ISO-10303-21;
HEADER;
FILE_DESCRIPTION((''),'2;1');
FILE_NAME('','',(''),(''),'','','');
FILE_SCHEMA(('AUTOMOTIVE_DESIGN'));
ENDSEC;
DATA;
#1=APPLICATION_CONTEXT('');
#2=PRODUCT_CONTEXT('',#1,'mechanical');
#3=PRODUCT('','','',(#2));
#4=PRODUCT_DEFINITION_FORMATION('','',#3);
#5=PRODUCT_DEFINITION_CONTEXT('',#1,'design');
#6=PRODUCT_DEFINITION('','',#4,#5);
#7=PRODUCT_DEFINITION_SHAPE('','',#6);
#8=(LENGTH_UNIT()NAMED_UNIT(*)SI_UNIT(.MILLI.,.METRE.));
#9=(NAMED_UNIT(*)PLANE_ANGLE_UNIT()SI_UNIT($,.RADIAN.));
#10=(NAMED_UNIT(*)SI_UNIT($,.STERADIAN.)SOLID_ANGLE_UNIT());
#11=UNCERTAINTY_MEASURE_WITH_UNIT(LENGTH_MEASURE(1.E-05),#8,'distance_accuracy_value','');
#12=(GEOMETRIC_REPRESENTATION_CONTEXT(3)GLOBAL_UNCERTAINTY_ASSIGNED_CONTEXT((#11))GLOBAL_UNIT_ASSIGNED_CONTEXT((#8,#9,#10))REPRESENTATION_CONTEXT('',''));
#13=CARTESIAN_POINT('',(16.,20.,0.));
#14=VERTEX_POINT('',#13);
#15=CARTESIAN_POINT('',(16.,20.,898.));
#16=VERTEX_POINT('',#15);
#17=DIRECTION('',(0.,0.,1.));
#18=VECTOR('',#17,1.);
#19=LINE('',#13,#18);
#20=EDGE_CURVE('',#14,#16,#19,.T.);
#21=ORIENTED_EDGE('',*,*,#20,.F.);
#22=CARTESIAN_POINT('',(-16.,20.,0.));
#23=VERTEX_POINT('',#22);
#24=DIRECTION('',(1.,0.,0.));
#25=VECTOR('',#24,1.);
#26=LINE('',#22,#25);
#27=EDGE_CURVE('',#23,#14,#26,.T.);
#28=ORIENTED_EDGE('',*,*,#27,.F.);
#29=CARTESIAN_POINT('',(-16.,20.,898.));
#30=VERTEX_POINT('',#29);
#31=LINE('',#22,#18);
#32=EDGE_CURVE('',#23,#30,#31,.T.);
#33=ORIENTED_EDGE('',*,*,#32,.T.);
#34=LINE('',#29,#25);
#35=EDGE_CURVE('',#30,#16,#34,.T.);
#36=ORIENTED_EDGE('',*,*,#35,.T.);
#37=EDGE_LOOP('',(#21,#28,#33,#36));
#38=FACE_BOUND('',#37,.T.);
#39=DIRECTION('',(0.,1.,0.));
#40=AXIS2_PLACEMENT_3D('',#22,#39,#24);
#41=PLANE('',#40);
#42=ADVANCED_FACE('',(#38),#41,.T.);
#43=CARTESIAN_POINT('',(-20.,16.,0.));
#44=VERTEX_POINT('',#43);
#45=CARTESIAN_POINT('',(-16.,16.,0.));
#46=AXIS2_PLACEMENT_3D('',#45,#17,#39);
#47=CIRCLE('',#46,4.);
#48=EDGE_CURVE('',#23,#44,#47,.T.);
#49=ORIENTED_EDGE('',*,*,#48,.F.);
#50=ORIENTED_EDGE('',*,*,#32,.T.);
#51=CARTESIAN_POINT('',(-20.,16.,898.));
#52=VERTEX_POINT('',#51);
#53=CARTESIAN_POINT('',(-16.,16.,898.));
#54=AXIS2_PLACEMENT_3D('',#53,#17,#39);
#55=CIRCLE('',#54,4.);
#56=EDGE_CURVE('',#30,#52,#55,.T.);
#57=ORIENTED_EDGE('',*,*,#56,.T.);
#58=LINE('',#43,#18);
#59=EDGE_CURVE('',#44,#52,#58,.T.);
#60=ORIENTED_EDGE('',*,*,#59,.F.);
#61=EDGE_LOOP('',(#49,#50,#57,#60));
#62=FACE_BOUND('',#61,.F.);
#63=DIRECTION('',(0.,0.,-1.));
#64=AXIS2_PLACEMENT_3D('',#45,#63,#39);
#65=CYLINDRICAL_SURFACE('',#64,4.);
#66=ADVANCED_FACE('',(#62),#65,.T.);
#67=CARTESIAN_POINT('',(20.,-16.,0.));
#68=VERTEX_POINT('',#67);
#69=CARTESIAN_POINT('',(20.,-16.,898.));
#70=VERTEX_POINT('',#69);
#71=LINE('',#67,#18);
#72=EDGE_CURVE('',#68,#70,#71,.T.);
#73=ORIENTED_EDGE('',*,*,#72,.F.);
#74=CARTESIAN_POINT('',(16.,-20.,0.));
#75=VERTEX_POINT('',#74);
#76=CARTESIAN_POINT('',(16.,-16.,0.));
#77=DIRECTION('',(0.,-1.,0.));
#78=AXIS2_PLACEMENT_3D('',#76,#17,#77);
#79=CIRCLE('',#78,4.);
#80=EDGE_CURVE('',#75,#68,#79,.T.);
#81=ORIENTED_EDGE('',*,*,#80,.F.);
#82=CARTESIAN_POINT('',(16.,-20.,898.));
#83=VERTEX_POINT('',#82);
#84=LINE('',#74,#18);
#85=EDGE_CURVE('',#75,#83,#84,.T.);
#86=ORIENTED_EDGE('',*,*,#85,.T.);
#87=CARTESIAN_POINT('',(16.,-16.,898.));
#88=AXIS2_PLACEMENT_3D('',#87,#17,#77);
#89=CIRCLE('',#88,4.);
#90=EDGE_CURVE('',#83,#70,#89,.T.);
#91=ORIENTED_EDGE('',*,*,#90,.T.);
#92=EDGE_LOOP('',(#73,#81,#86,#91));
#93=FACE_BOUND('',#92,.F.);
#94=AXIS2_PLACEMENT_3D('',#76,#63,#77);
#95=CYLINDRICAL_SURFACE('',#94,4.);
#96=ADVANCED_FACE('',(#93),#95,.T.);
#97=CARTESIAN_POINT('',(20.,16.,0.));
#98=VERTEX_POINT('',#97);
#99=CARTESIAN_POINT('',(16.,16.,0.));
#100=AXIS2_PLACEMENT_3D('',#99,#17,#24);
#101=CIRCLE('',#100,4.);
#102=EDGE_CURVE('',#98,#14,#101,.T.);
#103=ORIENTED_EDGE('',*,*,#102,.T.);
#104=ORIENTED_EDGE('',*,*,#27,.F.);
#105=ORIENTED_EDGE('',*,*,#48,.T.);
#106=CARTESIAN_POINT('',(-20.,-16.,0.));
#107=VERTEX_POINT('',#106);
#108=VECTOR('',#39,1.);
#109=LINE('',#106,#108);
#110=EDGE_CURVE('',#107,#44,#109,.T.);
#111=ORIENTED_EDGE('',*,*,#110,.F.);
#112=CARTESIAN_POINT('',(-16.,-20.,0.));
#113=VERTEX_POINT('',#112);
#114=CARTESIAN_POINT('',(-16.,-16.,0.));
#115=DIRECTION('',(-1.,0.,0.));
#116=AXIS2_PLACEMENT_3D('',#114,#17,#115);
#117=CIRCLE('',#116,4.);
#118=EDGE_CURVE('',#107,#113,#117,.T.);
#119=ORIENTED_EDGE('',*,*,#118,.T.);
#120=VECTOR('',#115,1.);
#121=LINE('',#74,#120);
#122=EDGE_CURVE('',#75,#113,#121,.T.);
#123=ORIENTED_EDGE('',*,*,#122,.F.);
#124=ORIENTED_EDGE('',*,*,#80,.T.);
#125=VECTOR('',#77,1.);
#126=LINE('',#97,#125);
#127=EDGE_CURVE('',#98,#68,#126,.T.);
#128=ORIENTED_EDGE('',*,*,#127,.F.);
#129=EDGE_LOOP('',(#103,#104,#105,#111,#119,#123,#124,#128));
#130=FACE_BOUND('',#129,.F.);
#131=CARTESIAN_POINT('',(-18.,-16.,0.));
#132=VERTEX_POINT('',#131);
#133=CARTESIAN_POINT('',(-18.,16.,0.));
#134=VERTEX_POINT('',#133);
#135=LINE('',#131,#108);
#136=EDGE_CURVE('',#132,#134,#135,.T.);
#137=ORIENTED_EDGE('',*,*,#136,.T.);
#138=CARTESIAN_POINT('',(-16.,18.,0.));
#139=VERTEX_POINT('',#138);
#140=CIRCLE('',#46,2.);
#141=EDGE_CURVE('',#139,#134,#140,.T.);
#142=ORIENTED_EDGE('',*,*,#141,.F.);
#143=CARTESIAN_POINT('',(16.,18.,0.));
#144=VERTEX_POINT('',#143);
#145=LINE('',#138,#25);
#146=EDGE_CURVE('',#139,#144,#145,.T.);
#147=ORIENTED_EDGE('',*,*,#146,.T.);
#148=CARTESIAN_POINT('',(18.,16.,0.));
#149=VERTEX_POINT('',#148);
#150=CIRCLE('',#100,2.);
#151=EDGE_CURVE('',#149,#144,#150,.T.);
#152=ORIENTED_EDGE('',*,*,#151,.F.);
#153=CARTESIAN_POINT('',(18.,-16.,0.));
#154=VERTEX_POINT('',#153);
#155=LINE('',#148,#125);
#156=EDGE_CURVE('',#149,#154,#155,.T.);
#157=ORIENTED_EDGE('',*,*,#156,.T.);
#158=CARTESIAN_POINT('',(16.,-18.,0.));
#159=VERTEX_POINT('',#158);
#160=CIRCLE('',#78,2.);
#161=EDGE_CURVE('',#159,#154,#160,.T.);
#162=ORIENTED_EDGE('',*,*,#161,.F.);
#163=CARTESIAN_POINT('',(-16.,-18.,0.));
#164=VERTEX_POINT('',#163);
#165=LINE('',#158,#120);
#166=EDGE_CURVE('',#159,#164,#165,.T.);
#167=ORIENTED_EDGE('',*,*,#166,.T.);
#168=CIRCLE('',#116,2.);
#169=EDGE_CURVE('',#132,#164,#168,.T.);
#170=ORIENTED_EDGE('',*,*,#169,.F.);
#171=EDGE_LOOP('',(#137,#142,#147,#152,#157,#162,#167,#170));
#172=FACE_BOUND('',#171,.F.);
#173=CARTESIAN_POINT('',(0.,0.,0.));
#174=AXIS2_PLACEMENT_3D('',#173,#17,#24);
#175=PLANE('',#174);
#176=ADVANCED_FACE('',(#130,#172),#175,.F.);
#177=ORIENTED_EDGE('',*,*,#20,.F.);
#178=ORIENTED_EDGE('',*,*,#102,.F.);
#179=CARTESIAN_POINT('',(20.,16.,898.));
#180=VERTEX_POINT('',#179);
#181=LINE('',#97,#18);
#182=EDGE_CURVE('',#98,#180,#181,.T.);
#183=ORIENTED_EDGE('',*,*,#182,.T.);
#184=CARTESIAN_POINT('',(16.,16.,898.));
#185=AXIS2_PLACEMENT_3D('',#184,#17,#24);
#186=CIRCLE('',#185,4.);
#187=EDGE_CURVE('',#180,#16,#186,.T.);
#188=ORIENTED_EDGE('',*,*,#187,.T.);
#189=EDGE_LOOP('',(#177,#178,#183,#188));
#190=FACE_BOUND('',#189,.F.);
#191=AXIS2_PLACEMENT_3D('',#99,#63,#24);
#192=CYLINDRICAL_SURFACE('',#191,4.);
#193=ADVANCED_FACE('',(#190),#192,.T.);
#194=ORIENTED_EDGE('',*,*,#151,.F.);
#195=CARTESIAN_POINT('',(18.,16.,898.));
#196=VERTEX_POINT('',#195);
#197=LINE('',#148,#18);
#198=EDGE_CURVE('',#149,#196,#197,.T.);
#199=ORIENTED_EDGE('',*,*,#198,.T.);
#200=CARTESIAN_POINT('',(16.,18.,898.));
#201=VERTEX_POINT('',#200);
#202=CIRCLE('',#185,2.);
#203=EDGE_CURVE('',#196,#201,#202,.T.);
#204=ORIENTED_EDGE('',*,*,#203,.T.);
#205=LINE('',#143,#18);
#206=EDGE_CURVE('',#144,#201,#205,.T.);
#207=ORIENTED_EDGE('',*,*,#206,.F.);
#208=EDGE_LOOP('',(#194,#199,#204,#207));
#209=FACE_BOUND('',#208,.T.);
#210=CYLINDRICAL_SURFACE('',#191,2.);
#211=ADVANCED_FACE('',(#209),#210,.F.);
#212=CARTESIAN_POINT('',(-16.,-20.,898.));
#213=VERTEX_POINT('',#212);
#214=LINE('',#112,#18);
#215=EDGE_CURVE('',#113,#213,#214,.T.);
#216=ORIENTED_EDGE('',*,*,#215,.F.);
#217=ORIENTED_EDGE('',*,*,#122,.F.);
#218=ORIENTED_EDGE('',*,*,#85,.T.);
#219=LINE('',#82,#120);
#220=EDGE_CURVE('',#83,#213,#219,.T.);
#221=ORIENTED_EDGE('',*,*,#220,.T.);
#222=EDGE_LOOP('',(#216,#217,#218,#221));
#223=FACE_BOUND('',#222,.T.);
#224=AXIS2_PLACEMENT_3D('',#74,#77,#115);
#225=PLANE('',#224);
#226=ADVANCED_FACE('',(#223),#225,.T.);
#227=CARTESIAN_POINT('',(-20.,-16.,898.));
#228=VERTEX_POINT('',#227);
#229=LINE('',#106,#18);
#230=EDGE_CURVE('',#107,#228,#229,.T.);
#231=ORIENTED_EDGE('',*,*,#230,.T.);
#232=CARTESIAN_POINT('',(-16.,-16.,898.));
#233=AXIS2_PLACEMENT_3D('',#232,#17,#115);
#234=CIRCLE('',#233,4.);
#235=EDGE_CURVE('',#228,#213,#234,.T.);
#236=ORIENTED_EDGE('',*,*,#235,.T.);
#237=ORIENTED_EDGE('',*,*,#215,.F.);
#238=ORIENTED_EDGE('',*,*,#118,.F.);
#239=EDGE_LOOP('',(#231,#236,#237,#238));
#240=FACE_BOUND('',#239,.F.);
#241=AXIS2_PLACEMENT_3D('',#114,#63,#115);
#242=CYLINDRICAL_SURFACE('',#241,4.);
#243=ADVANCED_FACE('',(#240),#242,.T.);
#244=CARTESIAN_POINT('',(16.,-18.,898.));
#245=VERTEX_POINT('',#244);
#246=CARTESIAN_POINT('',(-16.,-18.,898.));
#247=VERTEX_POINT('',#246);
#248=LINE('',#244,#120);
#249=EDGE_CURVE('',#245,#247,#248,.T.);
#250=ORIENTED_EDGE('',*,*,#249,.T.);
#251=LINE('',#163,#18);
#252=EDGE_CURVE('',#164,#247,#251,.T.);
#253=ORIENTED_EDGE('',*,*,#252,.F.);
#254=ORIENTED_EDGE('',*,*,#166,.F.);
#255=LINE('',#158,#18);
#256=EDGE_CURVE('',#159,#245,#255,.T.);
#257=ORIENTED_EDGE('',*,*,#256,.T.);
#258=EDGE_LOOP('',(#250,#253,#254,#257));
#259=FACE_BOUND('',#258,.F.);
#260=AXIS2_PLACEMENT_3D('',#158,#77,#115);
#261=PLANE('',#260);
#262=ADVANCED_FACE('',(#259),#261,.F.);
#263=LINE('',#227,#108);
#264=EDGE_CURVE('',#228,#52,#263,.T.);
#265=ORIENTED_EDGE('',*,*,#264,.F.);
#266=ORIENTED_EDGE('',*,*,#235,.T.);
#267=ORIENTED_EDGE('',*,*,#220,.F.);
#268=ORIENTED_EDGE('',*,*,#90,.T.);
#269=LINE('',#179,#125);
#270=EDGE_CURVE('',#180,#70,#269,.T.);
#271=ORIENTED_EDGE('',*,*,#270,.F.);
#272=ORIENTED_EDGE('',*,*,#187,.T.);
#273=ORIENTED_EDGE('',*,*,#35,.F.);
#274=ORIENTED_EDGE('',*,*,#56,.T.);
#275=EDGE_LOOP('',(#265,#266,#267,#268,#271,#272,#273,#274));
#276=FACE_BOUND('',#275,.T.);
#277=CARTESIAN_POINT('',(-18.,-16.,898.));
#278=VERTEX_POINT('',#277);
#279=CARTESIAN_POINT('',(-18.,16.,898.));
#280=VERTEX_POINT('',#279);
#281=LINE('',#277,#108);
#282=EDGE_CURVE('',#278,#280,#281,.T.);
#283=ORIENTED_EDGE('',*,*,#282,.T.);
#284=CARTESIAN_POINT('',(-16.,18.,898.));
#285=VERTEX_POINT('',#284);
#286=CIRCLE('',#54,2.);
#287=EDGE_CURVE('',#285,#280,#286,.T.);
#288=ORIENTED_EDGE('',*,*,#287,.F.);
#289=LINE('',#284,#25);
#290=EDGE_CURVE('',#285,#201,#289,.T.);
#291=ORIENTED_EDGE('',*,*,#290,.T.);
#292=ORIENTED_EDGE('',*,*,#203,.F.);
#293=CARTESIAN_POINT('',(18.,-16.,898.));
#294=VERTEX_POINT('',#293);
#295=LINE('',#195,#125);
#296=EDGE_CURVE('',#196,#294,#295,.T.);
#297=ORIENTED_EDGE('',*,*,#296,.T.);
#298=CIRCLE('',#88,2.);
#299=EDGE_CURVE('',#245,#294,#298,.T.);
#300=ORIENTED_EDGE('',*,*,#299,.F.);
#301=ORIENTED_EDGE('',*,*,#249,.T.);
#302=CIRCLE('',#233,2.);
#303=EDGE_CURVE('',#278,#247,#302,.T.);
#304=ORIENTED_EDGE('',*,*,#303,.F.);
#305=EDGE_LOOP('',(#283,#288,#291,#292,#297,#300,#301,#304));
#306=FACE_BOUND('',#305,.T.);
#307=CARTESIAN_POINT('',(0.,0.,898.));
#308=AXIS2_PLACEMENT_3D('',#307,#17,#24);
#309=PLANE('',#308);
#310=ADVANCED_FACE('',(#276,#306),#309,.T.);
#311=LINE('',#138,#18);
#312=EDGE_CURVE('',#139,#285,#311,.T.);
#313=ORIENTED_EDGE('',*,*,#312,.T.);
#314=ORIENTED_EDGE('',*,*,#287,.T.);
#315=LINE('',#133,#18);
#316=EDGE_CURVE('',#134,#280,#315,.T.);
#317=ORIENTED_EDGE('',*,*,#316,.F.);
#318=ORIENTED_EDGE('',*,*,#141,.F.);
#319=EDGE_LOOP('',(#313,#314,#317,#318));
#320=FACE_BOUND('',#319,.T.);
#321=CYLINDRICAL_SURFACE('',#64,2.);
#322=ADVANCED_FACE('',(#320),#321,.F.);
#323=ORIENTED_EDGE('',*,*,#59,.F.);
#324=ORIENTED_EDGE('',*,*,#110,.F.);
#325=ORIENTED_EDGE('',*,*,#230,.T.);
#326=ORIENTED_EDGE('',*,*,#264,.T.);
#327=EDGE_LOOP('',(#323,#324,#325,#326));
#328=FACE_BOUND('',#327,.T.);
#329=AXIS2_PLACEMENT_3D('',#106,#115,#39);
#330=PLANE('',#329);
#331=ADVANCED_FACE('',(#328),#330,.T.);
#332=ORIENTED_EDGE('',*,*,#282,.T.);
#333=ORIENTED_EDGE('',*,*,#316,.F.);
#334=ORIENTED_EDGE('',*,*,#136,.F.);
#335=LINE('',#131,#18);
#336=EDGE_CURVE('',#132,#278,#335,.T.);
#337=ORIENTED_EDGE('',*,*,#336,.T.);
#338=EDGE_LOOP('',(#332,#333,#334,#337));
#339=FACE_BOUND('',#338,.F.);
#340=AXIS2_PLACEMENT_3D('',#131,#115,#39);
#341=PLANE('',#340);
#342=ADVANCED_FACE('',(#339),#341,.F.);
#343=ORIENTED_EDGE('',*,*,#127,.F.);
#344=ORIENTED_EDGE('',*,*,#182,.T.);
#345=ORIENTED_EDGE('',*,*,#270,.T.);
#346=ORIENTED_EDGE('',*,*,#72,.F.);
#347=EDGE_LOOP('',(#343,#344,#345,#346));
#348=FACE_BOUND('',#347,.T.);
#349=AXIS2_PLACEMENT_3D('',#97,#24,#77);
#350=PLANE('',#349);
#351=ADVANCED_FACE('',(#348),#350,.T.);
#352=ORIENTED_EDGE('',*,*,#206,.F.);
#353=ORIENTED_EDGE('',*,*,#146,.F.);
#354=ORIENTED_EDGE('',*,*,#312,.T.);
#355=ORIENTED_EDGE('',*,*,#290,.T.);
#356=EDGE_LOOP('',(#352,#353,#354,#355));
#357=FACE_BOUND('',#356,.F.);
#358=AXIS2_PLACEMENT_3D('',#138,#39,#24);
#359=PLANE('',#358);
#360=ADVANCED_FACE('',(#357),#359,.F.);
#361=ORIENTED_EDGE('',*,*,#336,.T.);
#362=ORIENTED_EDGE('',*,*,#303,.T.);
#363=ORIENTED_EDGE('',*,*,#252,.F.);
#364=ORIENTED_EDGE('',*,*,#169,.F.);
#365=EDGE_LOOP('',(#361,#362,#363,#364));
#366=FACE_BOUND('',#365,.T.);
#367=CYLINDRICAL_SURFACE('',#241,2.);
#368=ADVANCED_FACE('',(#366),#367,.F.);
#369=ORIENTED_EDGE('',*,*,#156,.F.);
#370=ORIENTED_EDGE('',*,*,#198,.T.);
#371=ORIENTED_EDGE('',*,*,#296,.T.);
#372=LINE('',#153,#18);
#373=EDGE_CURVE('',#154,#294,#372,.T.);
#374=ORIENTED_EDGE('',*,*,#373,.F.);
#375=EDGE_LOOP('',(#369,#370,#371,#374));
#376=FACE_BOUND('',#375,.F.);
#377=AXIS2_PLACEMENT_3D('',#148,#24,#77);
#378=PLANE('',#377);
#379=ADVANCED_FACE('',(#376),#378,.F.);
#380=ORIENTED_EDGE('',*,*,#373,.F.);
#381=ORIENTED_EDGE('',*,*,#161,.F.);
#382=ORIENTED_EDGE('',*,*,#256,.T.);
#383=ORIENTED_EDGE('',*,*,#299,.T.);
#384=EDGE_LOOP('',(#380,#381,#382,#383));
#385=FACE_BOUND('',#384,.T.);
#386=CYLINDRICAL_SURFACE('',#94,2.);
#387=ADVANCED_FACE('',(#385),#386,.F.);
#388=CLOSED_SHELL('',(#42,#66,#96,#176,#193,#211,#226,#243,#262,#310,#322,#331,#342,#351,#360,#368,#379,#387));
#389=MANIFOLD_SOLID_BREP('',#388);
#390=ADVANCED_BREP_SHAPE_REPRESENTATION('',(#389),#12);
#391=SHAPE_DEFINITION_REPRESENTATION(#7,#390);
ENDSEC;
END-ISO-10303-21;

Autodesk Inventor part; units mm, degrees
ref_plane "YZ Plane" through (0, 0, 0) normal (1, 0, 0) x (0, 1, 0)
ref_plane "Start Plane" through (0, 0, 0) normal (0, 0, 1) x (1, 0, 0)
ref_plane "End Plane" through (0, 0, 898) normal (0, 0, 1) x (1, 0, 0)
sketch "Sketch" plane through (0, 0, 0) normal (0, 0, 1) x (1, 0, 0)
  line L0 (-20, -16) -> (-20, 16)
  line L1 (-16, 20) -> (16, 20)
  line L2 (20, 16) -> (20, -16)
  line L3 (16, -20) -> (-16, -20)
  arc A0 (-20, -16) -> (-16, -20) centre (-16, -16) ccw
  arc A1 (20, 16) -> (16, 20) centre (16, 16) ccw
  arc A2 (-16, 20) -> (-20, 16) centre (-16, 16) ccw
  arc A3 (16, -20) -> (20, -16) centre (16, -16) ccw
  arc A4 (-16, 18) -> (-18, 16) centre (-16, 16) ccw
  line L4 (-16, 18) -> (16, 18)
  arc A5 (18, 16) -> (16, 18) centre (16, 16) ccw
  line L5 (18, 16) -> (18, -16)
  arc A6 (16, -18) -> (18, -16) centre (16, -16) ccw
  line L6 (16, -18) -> (-16, -18)
  arc A7 (-18, -16) -> (-16, -18) centre (-16, -16) ccw
  line L7 (-18, -16) -> (-18, 16)
  line L8 (0, 29.1598) -> (0, -29.1598) construction
  line L9 (-29.1598, 0) -> (29.1598, 0) construction
  dimension "d7" = 4
  dimension "d9" = 40
  dimension "d11" = 40
  dimension "d12" = 2
  dimension "d15" = 20
  dimension "d16" = 20
extrude "Body" add sketch "Sketch" along normal up to surface (898 mm away) from surface at 0
sketch "Sketch3" plane through (0, 0, 0) normal (0, 0, 1) x (1, 0, 0)
  line L0 (0, 0) -> (10, 0)
ref_plane "Work Plane3" through (0, 0, 0) normal (0, -1, 0) x (1, 0, 0)
sketch "Sketch4" plane through (0, 0, 0) normal (0, -1, 0) x (1, 0, 0)
  line L0 (-2, 0) -> (12, 0) projected
  line L1 (-2, 898) -> (12, 898) projected
  dimension "d18" = 898
equation "\"d7\" = G_IR"
equation "\"d9\" = G_W"
equation "\"d11\" = G_H"
equation "\"d12\" = G_T"
equation "\"d15\" = 0.5 * d9"
equation "\"d16\" = 0.5 * d11"
equation "\"d3\" = G_L"
equation "\"G_W\" = 40"
equation "\"G_H\" = 40"
equation "\"G_T\" = 2"
equation "\"G_IR\" = 4"
equation "\"G_L\" = d18"
equation "\"G_OFFSET_START\" = 0"
equation "\"d14\" = G_OFFSET_END + B_L"
equation "\"B_L\" = 938"
equation "\"G_OFFSET_END\" = -40"
properties part number "ISO 4019 - 40x40x2 - 898" material "Steel, Mild"
